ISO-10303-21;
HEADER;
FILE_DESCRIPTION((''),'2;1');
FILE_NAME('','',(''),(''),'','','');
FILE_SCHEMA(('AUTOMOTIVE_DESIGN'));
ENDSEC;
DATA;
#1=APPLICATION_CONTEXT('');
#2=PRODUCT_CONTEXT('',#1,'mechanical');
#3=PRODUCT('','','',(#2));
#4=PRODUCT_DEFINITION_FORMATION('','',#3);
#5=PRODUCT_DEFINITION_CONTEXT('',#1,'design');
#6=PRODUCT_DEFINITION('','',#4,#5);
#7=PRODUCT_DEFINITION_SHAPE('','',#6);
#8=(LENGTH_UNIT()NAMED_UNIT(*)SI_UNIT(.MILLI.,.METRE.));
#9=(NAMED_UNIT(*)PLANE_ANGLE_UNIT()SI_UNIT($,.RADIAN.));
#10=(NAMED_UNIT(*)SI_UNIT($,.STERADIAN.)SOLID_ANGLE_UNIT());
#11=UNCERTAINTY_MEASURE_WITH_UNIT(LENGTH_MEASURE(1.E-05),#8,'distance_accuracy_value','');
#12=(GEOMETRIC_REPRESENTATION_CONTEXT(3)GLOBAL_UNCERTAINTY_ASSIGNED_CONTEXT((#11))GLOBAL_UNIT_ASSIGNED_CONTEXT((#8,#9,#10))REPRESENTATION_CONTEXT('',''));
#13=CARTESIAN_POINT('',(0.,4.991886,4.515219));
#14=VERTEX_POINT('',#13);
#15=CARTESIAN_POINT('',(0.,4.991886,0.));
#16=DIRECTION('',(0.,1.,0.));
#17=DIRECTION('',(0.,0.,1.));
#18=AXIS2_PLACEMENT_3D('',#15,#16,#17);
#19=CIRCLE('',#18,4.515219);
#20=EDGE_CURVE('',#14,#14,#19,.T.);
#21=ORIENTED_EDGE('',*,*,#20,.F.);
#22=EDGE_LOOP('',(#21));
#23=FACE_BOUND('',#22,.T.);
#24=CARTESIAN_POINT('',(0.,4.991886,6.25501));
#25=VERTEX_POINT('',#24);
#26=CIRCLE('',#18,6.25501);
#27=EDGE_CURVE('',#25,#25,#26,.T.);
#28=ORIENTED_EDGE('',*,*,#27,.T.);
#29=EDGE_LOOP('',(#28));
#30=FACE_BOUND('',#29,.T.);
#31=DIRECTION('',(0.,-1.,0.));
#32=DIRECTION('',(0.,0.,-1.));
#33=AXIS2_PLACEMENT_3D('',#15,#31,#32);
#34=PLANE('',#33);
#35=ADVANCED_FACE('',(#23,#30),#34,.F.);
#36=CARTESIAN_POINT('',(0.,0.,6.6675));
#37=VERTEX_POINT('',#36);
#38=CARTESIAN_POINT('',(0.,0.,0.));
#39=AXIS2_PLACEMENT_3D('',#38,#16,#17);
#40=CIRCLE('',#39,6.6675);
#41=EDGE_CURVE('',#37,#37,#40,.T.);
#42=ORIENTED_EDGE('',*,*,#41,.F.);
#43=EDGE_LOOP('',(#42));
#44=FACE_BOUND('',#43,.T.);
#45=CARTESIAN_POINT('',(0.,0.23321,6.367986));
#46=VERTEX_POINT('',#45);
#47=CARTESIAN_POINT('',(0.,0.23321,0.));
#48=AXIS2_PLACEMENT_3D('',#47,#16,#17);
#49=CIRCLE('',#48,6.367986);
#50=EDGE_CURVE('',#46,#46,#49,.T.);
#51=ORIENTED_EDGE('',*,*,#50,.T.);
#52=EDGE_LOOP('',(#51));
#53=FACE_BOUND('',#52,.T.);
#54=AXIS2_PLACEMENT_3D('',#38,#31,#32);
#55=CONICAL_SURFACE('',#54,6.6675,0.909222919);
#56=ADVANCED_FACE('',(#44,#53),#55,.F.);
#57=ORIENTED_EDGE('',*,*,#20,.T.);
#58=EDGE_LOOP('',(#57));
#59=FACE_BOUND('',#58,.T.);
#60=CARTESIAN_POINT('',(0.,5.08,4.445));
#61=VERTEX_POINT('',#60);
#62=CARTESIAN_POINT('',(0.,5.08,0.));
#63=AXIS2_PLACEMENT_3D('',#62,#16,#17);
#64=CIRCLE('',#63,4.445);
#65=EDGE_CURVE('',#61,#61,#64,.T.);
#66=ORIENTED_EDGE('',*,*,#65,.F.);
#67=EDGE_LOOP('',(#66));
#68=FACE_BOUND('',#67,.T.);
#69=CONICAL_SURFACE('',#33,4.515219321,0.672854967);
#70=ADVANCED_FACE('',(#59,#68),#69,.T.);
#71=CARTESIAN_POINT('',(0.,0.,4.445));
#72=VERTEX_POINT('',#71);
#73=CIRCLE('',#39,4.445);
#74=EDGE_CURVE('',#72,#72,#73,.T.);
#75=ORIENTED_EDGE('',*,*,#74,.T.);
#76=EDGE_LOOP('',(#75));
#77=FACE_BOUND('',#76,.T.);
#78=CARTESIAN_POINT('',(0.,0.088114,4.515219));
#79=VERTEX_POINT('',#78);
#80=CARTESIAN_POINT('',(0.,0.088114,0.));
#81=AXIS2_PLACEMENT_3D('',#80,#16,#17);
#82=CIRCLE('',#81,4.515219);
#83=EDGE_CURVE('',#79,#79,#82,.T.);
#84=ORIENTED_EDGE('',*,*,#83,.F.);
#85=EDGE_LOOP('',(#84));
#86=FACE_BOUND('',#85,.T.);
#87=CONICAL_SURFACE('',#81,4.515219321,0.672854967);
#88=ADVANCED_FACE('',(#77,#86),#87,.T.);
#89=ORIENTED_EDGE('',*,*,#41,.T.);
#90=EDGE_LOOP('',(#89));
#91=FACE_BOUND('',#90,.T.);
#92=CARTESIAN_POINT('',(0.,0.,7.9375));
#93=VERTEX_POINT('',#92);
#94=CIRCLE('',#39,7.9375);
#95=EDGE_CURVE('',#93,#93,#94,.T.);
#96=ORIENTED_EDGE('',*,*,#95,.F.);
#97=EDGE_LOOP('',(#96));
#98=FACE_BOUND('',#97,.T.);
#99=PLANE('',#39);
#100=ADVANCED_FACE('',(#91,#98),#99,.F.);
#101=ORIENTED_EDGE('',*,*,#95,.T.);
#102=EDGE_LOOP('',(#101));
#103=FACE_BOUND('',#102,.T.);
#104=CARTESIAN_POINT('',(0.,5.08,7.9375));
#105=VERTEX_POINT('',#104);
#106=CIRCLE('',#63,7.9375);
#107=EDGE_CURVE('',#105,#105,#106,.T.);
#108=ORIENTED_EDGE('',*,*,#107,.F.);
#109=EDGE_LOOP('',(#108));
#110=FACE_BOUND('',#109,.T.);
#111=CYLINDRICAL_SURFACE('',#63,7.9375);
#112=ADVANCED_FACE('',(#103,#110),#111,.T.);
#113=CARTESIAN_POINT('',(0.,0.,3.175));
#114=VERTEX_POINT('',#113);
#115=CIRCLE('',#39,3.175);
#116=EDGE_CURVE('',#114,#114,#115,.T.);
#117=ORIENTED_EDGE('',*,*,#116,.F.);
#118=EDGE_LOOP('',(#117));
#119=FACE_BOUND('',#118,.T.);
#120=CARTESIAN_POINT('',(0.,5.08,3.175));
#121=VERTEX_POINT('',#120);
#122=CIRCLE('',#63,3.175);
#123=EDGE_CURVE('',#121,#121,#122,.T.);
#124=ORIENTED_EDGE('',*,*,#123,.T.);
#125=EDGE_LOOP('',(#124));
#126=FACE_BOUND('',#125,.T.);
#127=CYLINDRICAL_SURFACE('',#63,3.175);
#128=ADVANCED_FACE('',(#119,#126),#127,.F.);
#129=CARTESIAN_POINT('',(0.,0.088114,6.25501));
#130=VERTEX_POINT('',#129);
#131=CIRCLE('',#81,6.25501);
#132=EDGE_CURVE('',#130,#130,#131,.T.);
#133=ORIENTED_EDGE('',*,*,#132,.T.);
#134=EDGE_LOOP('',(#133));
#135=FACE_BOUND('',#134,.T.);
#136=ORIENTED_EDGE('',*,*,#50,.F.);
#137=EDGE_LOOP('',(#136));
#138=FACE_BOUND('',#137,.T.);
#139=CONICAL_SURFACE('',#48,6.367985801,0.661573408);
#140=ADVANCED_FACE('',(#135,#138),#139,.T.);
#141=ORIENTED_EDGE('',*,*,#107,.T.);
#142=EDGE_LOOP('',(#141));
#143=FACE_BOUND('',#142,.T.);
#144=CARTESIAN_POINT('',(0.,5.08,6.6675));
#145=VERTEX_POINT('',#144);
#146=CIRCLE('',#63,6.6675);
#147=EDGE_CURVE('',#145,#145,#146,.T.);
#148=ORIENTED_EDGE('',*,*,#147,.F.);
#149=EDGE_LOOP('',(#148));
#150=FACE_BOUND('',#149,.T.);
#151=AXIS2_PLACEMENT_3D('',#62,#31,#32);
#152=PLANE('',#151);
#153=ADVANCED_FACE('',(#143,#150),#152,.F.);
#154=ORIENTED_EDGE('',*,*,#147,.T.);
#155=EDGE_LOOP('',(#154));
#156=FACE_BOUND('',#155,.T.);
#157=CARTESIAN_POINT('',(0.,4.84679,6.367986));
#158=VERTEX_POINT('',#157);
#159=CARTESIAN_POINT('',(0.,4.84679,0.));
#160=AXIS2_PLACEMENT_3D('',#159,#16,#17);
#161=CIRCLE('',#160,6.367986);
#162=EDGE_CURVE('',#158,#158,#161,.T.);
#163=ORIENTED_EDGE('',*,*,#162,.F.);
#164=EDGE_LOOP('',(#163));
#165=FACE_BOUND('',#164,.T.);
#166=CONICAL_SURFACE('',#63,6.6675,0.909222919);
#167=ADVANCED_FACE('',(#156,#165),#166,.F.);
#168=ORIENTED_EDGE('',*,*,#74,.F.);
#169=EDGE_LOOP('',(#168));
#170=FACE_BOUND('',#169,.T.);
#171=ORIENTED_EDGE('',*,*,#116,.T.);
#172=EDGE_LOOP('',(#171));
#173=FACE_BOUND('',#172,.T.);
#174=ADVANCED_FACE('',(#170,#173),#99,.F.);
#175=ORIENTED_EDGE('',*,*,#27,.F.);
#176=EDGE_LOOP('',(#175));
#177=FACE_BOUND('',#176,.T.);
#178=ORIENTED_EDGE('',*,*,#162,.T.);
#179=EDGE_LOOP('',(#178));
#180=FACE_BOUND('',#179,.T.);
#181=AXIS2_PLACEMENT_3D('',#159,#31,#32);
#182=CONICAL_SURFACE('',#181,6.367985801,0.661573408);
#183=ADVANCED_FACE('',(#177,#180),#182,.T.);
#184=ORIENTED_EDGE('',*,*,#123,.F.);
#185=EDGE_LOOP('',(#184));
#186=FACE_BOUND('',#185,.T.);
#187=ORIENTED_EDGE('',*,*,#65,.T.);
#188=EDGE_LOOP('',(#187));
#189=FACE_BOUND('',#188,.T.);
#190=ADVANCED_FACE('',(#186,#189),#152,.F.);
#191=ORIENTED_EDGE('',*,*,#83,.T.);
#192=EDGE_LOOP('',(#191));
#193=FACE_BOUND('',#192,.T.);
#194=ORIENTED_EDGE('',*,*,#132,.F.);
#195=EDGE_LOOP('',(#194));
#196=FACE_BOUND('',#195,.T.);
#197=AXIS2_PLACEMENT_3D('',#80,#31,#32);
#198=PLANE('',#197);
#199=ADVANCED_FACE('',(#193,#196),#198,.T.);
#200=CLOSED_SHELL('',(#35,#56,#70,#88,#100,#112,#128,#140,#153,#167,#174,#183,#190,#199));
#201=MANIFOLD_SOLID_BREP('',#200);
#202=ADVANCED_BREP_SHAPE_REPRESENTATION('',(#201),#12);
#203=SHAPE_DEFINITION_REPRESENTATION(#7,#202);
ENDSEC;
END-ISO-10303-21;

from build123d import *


with BuildPart() as part:
    # Sketch2 → Revolve1 (revolve)
    with BuildSketch(Plane.XY, mode=Mode.PRIVATE) as revolve1_sk:
        Polygon((3.175, 2.54), (3.175, 0), (4.445, 0), (4.515219321, 0.08811431), (6.255009696, 0.08811431), (6.367985801, 0.23321048), (6.6675, 0), (7.9375, 0), (7.9375, 5.08), (6.6675, 5.08), (6.367985801, 4.84678952), (6.255009696, 4.99188569), (4.515219321, 4.99188569), (4.445, 5.08), (3.175, 5.08), align=None)
    revolve(revolve1_sk.sketch.rotate(Axis((0, 5.08, 0), (0, -1, 0)), 90), axis=Axis((0, 5.08, 0), (0, -1, 0)))


solid = part.part
